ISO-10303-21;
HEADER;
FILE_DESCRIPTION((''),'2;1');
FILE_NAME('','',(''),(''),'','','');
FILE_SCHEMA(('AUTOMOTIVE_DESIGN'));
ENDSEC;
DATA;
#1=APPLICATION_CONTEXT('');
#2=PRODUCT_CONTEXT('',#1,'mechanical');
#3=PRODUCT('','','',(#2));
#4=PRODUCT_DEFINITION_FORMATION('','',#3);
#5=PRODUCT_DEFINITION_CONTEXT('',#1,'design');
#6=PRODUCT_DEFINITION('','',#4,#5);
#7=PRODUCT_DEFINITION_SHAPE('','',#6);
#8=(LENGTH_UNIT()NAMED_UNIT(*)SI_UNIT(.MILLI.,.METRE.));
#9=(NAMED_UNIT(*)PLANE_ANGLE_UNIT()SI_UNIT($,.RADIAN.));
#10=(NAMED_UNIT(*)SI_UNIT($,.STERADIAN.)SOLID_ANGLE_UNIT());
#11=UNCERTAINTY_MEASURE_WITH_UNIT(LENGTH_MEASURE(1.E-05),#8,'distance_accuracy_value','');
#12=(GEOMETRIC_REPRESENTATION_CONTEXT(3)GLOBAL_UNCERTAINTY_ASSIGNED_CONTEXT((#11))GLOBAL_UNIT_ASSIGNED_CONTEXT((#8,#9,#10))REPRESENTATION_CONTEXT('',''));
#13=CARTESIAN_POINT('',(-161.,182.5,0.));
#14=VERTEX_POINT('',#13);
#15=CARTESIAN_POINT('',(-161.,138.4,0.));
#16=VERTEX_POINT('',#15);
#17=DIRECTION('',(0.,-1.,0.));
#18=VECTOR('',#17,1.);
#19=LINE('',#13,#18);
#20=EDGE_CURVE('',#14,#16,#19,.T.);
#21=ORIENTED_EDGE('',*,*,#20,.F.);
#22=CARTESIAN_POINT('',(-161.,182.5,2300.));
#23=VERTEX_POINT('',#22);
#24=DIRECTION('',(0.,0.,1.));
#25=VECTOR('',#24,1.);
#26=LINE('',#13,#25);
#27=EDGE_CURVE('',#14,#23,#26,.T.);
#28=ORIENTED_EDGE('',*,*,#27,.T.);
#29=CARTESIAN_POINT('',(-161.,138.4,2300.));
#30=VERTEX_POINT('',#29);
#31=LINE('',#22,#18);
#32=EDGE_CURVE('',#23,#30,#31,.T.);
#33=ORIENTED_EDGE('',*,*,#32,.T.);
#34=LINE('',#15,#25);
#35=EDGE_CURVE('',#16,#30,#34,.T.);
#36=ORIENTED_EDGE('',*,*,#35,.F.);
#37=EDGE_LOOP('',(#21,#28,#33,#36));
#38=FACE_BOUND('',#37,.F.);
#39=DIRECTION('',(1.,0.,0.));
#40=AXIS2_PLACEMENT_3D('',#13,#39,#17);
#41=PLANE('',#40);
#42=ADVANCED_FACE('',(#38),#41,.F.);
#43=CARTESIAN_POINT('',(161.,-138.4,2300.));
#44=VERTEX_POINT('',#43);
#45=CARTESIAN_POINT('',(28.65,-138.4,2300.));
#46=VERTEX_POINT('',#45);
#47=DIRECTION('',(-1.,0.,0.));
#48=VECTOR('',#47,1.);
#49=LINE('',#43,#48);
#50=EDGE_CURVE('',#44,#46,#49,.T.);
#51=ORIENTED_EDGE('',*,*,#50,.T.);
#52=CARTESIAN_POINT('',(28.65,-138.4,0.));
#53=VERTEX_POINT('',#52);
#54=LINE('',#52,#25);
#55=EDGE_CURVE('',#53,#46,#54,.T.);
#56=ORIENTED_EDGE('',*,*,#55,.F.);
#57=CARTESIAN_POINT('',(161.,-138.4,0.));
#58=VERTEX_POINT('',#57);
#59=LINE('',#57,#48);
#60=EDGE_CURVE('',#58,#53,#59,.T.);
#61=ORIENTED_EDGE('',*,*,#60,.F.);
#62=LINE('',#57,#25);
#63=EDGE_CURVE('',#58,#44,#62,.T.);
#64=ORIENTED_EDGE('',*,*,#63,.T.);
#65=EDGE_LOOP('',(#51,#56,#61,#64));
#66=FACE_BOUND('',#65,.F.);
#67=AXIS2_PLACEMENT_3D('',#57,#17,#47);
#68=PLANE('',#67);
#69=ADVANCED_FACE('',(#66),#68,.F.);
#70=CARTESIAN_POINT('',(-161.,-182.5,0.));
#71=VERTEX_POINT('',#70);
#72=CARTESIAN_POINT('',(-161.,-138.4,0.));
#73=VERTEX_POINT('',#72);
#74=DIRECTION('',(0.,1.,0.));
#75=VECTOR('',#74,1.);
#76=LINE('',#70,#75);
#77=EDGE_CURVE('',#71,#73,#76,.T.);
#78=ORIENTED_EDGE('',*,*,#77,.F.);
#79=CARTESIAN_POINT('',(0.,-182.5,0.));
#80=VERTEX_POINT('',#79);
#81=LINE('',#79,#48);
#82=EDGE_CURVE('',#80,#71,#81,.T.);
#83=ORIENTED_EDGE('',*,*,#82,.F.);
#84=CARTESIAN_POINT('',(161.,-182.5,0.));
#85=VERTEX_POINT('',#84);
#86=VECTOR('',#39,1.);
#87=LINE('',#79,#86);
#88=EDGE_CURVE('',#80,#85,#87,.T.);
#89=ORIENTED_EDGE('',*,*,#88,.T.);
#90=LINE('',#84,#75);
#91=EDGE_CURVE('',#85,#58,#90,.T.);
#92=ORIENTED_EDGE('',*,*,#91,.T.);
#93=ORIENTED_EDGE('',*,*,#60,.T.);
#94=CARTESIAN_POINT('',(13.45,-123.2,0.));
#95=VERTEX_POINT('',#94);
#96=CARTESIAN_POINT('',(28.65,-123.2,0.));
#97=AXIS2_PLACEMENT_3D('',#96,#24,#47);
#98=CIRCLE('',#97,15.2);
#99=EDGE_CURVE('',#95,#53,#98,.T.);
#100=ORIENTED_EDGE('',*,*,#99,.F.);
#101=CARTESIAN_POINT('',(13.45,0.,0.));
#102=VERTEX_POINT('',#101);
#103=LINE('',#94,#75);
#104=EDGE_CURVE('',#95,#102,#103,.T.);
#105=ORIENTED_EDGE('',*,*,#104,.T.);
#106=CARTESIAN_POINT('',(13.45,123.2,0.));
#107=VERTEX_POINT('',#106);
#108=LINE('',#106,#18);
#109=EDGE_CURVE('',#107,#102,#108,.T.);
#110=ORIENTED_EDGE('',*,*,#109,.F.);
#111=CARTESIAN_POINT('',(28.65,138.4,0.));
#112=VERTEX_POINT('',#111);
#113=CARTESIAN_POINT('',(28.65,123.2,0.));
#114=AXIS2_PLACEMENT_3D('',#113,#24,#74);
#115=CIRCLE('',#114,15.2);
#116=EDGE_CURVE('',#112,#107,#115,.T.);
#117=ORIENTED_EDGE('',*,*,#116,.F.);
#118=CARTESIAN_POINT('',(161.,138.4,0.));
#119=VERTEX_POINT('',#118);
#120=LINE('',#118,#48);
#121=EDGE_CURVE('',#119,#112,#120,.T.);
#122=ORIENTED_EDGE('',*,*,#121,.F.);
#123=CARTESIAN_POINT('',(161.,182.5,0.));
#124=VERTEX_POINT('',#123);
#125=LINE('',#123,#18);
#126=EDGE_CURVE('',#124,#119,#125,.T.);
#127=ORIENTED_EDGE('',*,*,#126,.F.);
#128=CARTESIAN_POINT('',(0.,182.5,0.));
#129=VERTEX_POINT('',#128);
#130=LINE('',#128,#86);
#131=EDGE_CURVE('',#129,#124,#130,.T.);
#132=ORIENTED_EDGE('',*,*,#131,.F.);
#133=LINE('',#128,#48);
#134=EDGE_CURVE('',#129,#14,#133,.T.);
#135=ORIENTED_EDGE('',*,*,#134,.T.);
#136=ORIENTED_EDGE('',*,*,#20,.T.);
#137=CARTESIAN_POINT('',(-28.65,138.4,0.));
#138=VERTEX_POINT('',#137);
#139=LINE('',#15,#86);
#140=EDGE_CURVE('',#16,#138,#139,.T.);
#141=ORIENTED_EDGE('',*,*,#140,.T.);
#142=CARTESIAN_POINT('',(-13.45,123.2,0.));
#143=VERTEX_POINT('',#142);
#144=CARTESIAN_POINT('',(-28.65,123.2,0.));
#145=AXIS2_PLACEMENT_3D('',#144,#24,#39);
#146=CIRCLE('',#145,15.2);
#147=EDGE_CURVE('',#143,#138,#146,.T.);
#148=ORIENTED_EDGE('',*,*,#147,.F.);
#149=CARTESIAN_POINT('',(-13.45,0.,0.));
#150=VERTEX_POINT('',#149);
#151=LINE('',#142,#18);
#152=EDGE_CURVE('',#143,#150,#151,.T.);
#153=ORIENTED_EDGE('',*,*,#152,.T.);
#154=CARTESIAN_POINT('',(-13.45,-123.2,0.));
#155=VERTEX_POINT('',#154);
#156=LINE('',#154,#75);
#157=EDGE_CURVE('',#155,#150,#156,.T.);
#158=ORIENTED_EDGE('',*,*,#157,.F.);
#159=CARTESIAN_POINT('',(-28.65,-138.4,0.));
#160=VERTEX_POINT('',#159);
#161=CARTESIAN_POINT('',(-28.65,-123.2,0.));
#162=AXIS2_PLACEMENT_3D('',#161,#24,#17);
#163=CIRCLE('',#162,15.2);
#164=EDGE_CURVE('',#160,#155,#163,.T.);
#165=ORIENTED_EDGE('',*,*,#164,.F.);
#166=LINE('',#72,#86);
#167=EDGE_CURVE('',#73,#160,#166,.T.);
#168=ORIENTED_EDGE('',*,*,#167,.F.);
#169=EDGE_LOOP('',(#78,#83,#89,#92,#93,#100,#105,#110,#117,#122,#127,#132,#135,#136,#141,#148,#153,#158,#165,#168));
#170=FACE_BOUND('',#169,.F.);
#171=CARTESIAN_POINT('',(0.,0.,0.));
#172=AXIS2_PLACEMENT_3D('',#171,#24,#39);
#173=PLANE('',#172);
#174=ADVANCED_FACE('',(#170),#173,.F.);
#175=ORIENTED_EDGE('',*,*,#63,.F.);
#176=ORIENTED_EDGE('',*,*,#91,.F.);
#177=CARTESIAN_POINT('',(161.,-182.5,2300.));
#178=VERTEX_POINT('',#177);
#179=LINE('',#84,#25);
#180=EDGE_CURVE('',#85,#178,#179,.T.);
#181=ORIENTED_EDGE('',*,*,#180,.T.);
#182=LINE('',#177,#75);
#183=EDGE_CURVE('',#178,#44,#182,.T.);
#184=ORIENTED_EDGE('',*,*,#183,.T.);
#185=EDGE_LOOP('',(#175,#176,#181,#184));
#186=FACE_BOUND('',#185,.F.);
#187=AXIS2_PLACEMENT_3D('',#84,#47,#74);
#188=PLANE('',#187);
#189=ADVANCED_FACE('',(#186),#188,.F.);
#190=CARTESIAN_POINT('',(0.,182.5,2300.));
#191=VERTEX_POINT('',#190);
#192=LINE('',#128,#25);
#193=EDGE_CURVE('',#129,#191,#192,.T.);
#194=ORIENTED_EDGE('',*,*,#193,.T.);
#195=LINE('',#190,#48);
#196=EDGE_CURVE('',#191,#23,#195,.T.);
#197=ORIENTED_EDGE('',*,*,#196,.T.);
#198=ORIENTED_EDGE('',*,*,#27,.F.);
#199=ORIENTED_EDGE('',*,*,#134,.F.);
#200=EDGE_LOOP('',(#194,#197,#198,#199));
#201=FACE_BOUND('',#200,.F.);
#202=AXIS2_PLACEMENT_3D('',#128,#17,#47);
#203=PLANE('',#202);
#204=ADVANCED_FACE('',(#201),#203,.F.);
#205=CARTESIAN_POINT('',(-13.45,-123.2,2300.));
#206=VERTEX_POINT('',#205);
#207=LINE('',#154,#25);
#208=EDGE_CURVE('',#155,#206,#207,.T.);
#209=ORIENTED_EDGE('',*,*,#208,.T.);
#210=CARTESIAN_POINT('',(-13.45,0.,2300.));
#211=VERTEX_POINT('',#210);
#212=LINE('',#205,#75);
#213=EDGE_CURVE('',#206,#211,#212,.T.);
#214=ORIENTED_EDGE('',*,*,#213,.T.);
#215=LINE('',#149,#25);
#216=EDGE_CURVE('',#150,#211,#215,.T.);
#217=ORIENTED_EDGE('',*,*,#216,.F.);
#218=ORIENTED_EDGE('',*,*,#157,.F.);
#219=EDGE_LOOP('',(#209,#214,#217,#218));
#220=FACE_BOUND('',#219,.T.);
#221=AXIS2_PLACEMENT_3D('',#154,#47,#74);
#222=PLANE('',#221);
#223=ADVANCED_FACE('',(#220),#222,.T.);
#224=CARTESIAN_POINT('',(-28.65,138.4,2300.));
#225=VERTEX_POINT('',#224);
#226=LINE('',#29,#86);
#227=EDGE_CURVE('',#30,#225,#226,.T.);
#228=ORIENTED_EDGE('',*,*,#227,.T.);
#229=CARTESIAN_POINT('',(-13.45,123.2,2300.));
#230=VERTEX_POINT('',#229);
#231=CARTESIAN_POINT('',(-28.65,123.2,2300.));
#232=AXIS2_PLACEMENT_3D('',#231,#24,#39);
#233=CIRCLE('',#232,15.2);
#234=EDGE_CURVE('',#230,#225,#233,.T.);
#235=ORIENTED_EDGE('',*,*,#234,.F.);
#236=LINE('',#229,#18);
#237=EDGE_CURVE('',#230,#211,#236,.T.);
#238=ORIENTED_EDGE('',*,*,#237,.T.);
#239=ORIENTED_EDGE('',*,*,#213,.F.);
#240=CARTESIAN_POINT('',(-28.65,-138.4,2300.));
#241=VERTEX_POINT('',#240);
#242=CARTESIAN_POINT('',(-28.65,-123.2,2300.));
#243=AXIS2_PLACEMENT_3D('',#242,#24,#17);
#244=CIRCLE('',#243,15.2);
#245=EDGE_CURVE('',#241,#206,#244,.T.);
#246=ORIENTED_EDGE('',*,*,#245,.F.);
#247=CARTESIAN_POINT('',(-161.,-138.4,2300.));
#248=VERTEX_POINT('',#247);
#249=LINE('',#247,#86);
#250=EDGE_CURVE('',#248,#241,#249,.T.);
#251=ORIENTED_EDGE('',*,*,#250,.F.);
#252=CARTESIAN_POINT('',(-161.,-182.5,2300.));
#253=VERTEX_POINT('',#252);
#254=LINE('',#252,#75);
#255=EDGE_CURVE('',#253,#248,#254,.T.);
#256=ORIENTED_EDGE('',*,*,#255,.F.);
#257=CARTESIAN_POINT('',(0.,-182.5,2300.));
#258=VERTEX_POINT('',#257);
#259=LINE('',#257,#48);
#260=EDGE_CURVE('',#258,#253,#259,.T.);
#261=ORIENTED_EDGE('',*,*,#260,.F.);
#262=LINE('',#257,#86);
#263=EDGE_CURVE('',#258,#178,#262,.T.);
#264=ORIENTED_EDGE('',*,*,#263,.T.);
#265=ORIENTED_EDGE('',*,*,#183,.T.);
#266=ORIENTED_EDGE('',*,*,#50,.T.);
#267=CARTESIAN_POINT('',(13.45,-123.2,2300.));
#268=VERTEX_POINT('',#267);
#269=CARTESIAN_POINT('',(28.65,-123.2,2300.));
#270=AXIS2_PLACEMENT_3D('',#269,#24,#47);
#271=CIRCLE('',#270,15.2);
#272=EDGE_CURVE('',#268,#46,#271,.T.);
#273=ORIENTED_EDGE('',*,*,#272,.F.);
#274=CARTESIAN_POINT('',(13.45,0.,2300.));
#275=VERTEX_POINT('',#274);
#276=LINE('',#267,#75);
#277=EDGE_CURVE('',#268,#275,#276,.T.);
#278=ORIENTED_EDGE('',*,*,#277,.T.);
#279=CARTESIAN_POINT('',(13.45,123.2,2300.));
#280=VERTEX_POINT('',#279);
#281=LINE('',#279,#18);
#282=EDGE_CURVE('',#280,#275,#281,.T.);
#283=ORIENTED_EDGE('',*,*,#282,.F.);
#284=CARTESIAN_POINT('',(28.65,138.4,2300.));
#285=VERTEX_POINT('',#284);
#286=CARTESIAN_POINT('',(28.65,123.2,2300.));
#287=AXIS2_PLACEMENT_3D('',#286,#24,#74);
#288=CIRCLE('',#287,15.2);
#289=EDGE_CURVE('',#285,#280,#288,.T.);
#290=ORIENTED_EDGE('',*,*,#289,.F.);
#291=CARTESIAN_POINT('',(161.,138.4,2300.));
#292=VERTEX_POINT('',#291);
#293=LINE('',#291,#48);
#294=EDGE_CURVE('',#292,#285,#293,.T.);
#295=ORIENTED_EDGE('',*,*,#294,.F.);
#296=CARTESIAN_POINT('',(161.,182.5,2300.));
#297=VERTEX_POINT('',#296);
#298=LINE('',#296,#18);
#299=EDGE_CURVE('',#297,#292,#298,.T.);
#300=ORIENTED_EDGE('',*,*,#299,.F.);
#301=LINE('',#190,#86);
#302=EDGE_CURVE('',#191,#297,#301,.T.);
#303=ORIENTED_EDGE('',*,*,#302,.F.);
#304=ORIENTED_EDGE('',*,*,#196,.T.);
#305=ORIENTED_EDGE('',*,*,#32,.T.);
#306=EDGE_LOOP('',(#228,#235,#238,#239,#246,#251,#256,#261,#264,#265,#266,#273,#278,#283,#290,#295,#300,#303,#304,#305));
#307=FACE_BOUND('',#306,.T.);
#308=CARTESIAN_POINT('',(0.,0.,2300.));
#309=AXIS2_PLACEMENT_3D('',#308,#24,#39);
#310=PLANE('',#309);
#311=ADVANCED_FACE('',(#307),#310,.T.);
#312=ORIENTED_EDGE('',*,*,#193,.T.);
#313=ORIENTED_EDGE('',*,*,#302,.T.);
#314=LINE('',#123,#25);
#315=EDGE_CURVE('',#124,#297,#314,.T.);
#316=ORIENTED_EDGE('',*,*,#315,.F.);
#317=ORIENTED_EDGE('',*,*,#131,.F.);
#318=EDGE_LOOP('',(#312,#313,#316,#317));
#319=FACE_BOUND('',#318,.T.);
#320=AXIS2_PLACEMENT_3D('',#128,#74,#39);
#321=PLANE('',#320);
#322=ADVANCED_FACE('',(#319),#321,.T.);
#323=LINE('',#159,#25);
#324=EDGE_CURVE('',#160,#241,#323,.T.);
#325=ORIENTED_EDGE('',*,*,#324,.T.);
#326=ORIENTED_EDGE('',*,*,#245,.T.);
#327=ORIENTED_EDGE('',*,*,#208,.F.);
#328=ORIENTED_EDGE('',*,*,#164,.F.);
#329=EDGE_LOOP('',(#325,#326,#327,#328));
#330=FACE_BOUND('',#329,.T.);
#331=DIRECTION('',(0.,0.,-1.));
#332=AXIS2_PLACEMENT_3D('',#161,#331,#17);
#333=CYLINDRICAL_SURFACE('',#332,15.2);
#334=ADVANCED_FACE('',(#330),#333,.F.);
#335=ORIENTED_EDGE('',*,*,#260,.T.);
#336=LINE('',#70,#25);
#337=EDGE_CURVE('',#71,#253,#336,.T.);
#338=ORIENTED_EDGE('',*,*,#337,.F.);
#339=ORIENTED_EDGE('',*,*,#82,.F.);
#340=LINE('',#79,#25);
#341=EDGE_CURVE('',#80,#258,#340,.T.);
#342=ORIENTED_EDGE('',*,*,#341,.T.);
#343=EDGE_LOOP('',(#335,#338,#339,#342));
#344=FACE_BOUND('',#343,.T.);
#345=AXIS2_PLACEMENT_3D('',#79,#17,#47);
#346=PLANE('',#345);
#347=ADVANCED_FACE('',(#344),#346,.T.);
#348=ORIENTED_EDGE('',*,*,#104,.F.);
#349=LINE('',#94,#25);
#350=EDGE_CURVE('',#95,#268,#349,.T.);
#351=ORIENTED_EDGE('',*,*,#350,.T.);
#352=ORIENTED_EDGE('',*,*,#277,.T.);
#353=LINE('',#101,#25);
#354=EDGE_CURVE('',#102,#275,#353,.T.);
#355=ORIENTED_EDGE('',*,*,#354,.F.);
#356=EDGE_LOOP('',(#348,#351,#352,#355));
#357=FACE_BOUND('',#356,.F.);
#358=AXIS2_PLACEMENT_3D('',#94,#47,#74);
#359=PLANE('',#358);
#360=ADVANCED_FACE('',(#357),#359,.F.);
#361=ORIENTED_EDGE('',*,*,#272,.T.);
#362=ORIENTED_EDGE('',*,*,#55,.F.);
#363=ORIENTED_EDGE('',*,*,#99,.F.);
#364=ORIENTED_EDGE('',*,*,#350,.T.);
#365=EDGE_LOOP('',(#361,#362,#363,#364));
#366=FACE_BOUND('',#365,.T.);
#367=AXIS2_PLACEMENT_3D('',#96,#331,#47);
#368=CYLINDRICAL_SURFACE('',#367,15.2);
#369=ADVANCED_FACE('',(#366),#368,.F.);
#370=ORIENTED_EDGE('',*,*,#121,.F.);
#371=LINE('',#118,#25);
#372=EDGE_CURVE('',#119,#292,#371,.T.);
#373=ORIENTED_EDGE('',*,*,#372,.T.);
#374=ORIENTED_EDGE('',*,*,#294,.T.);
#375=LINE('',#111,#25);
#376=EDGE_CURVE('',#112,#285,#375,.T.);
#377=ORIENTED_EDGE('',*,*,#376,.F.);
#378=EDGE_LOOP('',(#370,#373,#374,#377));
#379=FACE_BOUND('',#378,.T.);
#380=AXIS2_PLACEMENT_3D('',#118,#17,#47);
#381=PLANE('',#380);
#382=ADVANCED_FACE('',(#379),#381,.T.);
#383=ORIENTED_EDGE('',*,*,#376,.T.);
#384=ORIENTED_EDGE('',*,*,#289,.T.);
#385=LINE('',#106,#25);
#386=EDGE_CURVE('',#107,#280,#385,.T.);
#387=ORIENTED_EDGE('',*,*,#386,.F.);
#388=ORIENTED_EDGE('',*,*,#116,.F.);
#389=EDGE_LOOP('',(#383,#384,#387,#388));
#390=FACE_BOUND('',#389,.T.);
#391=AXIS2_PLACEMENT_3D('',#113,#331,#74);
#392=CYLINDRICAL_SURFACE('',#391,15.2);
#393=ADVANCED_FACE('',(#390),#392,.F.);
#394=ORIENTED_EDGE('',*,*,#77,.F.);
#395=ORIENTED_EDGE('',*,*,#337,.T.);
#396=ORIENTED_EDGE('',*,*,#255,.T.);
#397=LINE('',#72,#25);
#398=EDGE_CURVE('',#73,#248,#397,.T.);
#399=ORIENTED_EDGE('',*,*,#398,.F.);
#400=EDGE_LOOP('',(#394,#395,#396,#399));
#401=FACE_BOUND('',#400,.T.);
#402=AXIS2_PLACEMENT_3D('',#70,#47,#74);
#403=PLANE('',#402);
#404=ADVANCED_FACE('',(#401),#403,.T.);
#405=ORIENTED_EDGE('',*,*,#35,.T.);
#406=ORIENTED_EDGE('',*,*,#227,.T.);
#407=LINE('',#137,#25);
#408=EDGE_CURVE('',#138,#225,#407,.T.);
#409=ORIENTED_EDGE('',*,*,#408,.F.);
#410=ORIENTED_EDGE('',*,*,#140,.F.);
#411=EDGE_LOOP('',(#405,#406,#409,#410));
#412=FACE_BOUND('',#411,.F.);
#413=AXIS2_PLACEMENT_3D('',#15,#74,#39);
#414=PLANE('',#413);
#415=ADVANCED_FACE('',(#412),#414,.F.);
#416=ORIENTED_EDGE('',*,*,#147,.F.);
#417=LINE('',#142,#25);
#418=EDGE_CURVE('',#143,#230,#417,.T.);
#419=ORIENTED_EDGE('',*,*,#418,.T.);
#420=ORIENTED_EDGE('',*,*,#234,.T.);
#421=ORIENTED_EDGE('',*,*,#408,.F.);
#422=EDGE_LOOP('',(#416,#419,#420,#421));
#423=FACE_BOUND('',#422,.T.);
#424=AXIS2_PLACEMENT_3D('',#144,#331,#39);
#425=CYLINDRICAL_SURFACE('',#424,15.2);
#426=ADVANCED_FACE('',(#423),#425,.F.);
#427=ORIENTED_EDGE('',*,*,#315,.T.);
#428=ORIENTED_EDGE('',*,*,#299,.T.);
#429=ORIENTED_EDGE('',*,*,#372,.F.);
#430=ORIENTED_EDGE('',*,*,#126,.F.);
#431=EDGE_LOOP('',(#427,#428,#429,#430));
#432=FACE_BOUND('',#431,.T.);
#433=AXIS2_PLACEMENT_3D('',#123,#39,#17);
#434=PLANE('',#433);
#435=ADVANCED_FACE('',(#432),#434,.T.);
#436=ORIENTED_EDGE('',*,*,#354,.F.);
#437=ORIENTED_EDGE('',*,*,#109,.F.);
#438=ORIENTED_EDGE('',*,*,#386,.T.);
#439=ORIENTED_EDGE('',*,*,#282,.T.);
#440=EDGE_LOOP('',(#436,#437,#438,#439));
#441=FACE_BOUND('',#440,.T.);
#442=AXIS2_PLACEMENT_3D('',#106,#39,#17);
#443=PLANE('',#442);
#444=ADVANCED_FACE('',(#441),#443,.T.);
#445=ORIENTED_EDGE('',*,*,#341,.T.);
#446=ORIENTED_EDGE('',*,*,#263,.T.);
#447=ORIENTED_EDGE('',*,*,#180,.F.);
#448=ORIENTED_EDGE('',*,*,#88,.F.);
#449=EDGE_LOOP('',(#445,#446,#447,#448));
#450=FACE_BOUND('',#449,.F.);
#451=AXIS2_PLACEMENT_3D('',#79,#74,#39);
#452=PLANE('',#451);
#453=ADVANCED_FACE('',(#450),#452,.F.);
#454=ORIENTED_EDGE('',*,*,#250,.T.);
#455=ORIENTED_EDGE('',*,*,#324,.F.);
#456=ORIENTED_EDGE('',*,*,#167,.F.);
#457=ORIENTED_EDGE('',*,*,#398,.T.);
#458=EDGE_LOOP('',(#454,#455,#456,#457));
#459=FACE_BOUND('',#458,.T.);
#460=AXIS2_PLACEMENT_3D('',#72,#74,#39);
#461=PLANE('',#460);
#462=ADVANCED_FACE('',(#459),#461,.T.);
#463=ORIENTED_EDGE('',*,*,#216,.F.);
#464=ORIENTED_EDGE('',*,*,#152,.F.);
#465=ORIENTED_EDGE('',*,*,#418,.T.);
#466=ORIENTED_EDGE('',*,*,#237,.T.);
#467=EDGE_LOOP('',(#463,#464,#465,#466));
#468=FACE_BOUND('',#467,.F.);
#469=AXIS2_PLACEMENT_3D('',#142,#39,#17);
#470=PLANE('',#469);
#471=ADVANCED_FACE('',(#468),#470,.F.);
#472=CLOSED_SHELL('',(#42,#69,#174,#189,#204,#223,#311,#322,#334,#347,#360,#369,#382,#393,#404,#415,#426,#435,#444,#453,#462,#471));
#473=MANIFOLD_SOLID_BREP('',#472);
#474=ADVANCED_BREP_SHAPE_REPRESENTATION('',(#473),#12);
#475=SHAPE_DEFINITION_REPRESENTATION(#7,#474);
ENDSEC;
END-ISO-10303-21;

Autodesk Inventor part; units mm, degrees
ref_plane "YZ Plane" through (0, 0, 0) normal (1, 0, 0) x (0, 1, 0)
ref_plane "Start plane" through (0, 0, 0) normal (0, 0, 1) x (1, 0, 0)
ref_plane "End plane" through (0, 0, 2300) normal (0, 0, 1) x (1, 0, 0)
sketch "Sketch" plane through (0, 0, 0) normal (0, 0, 1) x (1, 0, 0)
  line L0 (-161, -182.5) -> (-161, -138.4)
  line L1 (-161, -138.4) -> (-28.65, -138.4)
  line L2 (-13.45, -123.2) -> (-13.45, 0)
  line L3 (-13.45, 0) -> (0, 0) construction
  line L4 (0, 0) -> (0, -182.5) construction
  line L5 (0, -182.5) -> (-161, -182.5)
  line L6 (-60, 0) -> (80, 0) construction
  line L7 (0, -60) -> (0, 80) construction
  line L8 (161, -182.5) -> (161, -138.4)
  line L9 (161, -138.4) -> (28.65, -138.4)
  line L10 (13.45, -123.2) -> (13.45, 0)
  line L11 (13.45, 0) -> (0, 0) construction
  line L12 (0, -182.5) -> (161, -182.5)
  line L13 (-161, 182.5) -> (-161, 138.4)
  line L14 (-161, 138.4) -> (-28.65, 138.4)
  line L15 (-13.45, 123.2) -> (-13.45, 0)
  line L16 (0, 182.5) -> (-161, 182.5)
  line L17 (161, 182.5) -> (161, 138.4)
  line L18 (161, 138.4) -> (28.65, 138.4)
  line L19 (0, 182.5) -> (161, 182.5)
  line L20 (13.45, 123.2) -> (13.45, 0)
  arc A0 (-13.45, 123.2) -> (-28.65, 138.4) centre (-28.65, 123.2) ccw
  arc A1 (28.65, 138.4) -> (13.45, 123.2) centre (28.65, 123.2) ccw
  arc A2 (13.45, -123.2) -> (28.65, -138.4) centre (28.65, -123.2) ccw
  arc A3 (-28.65, -138.4) -> (-13.45, -123.2) centre (-28.65, -123.2) ccw
  line L21 (0, 108) -> (0, -88) construction
  line L22 (-88, 0) -> (108, 0) construction
  point P0 (-13.45, -138.4)
  point P1 (13.45, -138.4)
  point P2 (-13.45, 138.4)
  point P3 (13.45, 138.4)
  dimension "d1" = 182.5
  dimension "d2" = 44.1
  dimension "d3" = 161
  dimension "d4" = 13.45
  dimension "d10" = 15.2
extrude "Body" add sketch "Sketch" along normal up to surface (2300 mm away) from surface at 0
sketch "Sketch4" plane through (0, 0, 0) normal (0, 0, 1) x (1, 0, 0)
  line L0 (0, 0) -> (10, 0)
ref_plane "Work Plane3" through (0, 0, 0) normal (0, -1, 0) x (1, 0, 0)
sketch "Sketch5" plane through (0, 0, 0) normal (0, -1, 0) x (1, 0, 0)
  line L0 (-2, 0) -> (12, 0) projected
  line L1 (-2, 2300) -> (12, 2300) projected
  dimension "d14" = 2300
equation "\"d1\" = 0.5 * G_H"
equation "\"d2\" = G_T1"
equation "\"d3\" = 0.5 * G_W"
equation "\"d4\" = 0.5 * G_T"
equation "\"d10\" = G_IR"
equation "\"d5\" = G_L"
equation "\"G_W\" = 322"
equation "\"G_H\" = 365"
equation "\"G_T\" = 26.9"
equation "\"G_T1\" = 44.1"
equation "\"G_IR\" = 15.2"
equation "\"G_L\" = d14"
equation "\"G_OFFSET_START\" = 0"
equation "\"G_OFFSET_END\" = 0"
properties part number "AS 3679 - 310 UC - 283 - 2300" material "Steel, Mild"
